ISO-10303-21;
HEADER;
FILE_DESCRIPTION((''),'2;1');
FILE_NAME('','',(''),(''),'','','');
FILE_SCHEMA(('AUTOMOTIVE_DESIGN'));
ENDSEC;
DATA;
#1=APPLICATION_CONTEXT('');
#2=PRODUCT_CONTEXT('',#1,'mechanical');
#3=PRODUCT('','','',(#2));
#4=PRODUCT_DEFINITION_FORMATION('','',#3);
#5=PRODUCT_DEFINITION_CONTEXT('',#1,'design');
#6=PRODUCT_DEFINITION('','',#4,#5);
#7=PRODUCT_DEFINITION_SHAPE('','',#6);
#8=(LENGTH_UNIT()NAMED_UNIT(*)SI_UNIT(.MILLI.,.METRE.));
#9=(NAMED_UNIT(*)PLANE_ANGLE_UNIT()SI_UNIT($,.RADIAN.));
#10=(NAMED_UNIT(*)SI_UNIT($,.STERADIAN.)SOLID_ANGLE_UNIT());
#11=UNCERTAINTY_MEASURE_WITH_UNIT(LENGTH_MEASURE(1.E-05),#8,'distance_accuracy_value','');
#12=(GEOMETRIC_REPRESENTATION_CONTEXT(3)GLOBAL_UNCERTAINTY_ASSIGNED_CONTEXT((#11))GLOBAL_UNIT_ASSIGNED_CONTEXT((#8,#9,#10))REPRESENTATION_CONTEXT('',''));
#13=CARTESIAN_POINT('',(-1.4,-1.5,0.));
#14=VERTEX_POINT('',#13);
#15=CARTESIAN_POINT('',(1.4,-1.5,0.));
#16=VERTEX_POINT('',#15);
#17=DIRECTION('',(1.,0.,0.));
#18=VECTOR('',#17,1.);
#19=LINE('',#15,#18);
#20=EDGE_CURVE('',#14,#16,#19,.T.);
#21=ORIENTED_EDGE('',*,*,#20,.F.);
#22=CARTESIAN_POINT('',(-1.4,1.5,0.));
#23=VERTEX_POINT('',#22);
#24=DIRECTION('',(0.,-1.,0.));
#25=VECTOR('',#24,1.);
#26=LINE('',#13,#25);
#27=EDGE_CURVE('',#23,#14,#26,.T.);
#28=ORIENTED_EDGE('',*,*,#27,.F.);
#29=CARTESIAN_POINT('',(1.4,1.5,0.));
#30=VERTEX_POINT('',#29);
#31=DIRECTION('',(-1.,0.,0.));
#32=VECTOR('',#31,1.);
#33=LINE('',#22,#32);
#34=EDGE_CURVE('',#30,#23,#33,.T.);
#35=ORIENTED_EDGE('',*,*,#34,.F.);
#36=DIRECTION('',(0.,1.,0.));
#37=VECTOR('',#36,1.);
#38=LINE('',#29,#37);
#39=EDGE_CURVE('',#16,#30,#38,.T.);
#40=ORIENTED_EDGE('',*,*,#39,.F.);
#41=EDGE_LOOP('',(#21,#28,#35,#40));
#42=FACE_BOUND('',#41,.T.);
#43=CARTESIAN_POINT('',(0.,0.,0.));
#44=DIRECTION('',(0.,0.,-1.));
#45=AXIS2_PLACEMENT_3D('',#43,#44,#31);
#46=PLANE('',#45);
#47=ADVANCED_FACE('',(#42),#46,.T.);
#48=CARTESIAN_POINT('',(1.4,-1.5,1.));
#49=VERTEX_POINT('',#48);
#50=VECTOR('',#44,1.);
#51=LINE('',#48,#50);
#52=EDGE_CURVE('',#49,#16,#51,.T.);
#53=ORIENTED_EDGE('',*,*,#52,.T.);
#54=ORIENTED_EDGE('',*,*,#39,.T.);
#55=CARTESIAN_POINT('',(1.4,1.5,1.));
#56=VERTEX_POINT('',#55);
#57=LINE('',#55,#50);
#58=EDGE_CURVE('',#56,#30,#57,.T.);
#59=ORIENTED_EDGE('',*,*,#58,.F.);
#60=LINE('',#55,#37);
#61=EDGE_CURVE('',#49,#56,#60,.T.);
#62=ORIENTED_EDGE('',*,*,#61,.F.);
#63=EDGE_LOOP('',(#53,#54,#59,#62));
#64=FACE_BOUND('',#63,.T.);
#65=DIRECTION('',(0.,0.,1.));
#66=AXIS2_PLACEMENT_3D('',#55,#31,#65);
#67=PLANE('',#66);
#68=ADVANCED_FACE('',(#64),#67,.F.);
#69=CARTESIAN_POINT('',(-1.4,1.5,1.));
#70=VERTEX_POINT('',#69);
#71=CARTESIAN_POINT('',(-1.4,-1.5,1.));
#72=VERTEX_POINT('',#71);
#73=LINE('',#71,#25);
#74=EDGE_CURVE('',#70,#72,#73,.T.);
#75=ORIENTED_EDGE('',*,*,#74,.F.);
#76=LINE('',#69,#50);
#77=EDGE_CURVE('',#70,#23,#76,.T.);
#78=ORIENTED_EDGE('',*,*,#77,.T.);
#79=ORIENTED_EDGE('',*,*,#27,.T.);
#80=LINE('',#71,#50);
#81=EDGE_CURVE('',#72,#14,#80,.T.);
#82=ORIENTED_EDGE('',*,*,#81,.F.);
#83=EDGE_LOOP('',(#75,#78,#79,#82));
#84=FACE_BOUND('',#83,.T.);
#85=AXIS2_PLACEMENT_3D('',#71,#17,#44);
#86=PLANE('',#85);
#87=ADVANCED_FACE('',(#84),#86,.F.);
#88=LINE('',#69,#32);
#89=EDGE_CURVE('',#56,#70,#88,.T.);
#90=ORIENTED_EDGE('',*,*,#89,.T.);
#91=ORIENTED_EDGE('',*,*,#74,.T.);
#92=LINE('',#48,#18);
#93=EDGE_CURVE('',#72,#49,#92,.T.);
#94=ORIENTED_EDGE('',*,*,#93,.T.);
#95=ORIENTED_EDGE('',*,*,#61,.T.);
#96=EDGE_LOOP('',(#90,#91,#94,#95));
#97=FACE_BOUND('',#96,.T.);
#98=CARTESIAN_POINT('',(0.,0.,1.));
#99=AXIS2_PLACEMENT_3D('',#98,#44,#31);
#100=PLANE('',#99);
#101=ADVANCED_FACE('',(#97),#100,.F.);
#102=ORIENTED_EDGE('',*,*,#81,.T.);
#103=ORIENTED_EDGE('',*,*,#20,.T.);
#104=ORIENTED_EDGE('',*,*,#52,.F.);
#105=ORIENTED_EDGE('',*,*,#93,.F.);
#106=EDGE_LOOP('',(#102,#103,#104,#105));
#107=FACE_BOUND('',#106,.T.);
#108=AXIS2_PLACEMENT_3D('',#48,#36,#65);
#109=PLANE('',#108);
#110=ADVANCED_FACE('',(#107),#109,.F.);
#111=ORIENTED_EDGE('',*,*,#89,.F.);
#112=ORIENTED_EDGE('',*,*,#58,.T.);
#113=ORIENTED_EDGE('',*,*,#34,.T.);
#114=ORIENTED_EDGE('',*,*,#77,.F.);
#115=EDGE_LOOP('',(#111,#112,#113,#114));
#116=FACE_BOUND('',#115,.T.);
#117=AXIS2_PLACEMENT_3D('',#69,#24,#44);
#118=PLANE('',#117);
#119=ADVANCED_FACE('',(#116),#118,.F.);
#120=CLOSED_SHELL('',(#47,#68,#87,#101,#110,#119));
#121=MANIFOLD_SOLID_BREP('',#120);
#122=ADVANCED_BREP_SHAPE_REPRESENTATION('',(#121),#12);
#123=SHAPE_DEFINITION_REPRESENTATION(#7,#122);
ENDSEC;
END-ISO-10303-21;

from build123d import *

# Parameters (mm, degrees)
SKETCH1_W               = 2.8
SKETCH1_H               = 3
COMPONENT_OUTLINE_DEPTH = 1


with BuildPart() as part:
    # Sketch1 → Component_Outline (new body)
    with BuildSketch(Plane.XY):
        Rectangle(SKETCH1_W, SKETCH1_H)
    extrude(amount=COMPONENT_OUTLINE_DEPTH)


solid = part.part
